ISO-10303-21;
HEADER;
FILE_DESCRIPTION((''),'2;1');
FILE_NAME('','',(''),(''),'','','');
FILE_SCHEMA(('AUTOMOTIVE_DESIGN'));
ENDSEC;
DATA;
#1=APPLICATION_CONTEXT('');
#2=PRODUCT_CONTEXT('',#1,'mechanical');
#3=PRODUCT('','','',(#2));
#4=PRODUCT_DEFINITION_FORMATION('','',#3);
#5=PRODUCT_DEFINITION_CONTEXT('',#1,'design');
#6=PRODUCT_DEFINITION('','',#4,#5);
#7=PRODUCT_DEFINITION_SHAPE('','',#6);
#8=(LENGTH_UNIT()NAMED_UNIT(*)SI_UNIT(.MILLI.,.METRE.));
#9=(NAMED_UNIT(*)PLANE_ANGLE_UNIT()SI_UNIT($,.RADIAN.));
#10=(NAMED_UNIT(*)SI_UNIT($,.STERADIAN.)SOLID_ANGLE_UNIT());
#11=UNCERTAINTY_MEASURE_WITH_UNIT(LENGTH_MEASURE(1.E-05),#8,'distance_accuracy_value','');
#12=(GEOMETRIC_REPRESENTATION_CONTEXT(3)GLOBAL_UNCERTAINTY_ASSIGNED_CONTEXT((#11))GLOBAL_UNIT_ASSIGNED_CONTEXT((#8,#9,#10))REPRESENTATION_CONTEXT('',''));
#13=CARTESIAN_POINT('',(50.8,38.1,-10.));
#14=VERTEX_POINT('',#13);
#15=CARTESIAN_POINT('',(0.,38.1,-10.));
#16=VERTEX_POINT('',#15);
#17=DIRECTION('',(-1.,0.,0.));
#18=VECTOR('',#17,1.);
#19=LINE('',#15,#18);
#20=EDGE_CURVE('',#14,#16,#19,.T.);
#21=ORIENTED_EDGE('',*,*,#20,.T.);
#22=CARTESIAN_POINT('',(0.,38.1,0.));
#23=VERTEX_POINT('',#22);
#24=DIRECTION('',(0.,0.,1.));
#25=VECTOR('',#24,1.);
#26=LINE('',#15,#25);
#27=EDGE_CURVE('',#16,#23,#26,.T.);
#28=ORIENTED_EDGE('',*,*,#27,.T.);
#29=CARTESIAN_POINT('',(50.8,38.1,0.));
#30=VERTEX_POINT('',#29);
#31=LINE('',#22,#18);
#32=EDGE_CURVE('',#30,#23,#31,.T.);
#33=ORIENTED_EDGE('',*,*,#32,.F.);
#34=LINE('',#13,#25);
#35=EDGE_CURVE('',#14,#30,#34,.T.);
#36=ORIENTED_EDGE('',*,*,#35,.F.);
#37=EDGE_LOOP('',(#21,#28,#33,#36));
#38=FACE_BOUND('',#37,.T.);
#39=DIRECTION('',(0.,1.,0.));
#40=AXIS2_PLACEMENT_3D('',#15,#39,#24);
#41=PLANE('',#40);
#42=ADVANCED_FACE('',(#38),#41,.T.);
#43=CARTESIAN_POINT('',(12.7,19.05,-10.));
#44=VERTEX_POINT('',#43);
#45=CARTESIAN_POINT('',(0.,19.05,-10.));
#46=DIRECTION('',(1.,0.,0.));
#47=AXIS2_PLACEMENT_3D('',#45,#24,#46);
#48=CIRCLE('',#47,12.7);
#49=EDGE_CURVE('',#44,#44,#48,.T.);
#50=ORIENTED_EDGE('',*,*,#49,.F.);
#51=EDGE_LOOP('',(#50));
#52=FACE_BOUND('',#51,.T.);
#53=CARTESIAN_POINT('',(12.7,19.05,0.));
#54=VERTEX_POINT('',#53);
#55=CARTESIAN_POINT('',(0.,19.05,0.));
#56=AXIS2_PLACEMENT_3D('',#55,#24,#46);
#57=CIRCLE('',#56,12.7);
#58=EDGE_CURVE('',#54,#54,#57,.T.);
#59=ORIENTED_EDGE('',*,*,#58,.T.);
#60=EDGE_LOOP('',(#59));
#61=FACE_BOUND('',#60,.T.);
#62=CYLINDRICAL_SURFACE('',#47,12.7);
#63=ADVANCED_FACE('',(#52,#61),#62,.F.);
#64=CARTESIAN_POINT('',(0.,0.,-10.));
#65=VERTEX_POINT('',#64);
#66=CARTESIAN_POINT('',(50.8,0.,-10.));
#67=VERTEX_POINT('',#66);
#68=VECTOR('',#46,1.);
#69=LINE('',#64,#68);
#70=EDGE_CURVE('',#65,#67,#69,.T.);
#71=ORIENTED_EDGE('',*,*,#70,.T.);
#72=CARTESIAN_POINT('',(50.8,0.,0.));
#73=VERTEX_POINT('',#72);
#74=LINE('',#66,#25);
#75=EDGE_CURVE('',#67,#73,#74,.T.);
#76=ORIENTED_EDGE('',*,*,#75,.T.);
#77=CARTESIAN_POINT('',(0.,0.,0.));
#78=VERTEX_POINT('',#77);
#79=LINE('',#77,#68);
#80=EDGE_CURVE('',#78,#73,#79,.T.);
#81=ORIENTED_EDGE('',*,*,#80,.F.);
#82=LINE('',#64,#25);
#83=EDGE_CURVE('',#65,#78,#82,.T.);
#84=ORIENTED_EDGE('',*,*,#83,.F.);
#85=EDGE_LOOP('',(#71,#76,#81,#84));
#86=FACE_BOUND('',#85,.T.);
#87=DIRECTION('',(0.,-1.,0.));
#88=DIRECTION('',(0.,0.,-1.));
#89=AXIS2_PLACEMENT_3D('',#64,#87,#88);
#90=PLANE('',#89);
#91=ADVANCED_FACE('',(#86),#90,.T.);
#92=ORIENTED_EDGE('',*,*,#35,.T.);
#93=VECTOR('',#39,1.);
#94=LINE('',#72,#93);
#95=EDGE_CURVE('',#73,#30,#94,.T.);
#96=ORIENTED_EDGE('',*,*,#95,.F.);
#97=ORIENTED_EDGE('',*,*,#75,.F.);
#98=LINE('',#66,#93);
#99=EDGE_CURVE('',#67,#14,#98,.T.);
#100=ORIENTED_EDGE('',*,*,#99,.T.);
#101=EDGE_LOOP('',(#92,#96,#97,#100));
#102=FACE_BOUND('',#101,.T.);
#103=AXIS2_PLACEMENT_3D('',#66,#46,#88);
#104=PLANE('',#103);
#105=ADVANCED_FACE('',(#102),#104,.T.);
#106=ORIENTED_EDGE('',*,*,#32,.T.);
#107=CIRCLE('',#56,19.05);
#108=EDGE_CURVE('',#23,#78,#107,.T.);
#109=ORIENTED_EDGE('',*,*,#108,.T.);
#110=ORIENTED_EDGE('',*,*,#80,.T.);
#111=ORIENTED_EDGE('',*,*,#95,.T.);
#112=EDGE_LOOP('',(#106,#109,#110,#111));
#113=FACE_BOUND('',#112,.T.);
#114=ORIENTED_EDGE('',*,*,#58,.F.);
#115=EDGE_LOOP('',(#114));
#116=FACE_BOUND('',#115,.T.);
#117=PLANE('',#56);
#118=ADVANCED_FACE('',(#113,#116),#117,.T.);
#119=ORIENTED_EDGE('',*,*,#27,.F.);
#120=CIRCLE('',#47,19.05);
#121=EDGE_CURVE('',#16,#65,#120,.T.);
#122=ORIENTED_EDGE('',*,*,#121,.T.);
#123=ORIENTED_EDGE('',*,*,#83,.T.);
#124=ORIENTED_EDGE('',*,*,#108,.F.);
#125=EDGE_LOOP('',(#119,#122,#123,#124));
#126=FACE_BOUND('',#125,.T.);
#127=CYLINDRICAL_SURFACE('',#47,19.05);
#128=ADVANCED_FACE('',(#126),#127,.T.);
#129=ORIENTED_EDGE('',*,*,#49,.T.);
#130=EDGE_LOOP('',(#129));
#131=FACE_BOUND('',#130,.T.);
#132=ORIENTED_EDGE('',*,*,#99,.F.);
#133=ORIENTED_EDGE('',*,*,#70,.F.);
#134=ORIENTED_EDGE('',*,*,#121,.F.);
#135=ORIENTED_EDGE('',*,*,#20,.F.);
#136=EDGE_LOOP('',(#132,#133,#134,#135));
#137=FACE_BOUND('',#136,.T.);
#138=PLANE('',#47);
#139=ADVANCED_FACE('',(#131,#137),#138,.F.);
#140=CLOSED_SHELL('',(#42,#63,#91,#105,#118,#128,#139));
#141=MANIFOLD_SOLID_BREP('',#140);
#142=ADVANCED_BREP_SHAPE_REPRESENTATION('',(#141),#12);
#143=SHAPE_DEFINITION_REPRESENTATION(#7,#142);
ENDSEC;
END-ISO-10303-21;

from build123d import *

# Parameters (mm, degrees)
SKETCH1_R      = 12.7
EXTRUDE1_DEPTH = 10.000000066


with BuildPart() as part:
    # Sketch1 → Extrude1 (new body)
    with BuildSketch(Plane.XY):
        with BuildLine():
            Line((0, 0), (50.8, 0))
            Line((50.8, 0), (50.8, 38.1))
            Line((50.8, 38.1), (0, 38.1))
            ThreePointArc((0, 38.1), (-19.05, 19.05), (0, 0))
        make_face()
        with Locations((0, 19.05)):
            Circle(SKETCH1_R, mode=Mode.SUBTRACT)
    extrude(amount=-EXTRUDE1_DEPTH)


solid = part.part
